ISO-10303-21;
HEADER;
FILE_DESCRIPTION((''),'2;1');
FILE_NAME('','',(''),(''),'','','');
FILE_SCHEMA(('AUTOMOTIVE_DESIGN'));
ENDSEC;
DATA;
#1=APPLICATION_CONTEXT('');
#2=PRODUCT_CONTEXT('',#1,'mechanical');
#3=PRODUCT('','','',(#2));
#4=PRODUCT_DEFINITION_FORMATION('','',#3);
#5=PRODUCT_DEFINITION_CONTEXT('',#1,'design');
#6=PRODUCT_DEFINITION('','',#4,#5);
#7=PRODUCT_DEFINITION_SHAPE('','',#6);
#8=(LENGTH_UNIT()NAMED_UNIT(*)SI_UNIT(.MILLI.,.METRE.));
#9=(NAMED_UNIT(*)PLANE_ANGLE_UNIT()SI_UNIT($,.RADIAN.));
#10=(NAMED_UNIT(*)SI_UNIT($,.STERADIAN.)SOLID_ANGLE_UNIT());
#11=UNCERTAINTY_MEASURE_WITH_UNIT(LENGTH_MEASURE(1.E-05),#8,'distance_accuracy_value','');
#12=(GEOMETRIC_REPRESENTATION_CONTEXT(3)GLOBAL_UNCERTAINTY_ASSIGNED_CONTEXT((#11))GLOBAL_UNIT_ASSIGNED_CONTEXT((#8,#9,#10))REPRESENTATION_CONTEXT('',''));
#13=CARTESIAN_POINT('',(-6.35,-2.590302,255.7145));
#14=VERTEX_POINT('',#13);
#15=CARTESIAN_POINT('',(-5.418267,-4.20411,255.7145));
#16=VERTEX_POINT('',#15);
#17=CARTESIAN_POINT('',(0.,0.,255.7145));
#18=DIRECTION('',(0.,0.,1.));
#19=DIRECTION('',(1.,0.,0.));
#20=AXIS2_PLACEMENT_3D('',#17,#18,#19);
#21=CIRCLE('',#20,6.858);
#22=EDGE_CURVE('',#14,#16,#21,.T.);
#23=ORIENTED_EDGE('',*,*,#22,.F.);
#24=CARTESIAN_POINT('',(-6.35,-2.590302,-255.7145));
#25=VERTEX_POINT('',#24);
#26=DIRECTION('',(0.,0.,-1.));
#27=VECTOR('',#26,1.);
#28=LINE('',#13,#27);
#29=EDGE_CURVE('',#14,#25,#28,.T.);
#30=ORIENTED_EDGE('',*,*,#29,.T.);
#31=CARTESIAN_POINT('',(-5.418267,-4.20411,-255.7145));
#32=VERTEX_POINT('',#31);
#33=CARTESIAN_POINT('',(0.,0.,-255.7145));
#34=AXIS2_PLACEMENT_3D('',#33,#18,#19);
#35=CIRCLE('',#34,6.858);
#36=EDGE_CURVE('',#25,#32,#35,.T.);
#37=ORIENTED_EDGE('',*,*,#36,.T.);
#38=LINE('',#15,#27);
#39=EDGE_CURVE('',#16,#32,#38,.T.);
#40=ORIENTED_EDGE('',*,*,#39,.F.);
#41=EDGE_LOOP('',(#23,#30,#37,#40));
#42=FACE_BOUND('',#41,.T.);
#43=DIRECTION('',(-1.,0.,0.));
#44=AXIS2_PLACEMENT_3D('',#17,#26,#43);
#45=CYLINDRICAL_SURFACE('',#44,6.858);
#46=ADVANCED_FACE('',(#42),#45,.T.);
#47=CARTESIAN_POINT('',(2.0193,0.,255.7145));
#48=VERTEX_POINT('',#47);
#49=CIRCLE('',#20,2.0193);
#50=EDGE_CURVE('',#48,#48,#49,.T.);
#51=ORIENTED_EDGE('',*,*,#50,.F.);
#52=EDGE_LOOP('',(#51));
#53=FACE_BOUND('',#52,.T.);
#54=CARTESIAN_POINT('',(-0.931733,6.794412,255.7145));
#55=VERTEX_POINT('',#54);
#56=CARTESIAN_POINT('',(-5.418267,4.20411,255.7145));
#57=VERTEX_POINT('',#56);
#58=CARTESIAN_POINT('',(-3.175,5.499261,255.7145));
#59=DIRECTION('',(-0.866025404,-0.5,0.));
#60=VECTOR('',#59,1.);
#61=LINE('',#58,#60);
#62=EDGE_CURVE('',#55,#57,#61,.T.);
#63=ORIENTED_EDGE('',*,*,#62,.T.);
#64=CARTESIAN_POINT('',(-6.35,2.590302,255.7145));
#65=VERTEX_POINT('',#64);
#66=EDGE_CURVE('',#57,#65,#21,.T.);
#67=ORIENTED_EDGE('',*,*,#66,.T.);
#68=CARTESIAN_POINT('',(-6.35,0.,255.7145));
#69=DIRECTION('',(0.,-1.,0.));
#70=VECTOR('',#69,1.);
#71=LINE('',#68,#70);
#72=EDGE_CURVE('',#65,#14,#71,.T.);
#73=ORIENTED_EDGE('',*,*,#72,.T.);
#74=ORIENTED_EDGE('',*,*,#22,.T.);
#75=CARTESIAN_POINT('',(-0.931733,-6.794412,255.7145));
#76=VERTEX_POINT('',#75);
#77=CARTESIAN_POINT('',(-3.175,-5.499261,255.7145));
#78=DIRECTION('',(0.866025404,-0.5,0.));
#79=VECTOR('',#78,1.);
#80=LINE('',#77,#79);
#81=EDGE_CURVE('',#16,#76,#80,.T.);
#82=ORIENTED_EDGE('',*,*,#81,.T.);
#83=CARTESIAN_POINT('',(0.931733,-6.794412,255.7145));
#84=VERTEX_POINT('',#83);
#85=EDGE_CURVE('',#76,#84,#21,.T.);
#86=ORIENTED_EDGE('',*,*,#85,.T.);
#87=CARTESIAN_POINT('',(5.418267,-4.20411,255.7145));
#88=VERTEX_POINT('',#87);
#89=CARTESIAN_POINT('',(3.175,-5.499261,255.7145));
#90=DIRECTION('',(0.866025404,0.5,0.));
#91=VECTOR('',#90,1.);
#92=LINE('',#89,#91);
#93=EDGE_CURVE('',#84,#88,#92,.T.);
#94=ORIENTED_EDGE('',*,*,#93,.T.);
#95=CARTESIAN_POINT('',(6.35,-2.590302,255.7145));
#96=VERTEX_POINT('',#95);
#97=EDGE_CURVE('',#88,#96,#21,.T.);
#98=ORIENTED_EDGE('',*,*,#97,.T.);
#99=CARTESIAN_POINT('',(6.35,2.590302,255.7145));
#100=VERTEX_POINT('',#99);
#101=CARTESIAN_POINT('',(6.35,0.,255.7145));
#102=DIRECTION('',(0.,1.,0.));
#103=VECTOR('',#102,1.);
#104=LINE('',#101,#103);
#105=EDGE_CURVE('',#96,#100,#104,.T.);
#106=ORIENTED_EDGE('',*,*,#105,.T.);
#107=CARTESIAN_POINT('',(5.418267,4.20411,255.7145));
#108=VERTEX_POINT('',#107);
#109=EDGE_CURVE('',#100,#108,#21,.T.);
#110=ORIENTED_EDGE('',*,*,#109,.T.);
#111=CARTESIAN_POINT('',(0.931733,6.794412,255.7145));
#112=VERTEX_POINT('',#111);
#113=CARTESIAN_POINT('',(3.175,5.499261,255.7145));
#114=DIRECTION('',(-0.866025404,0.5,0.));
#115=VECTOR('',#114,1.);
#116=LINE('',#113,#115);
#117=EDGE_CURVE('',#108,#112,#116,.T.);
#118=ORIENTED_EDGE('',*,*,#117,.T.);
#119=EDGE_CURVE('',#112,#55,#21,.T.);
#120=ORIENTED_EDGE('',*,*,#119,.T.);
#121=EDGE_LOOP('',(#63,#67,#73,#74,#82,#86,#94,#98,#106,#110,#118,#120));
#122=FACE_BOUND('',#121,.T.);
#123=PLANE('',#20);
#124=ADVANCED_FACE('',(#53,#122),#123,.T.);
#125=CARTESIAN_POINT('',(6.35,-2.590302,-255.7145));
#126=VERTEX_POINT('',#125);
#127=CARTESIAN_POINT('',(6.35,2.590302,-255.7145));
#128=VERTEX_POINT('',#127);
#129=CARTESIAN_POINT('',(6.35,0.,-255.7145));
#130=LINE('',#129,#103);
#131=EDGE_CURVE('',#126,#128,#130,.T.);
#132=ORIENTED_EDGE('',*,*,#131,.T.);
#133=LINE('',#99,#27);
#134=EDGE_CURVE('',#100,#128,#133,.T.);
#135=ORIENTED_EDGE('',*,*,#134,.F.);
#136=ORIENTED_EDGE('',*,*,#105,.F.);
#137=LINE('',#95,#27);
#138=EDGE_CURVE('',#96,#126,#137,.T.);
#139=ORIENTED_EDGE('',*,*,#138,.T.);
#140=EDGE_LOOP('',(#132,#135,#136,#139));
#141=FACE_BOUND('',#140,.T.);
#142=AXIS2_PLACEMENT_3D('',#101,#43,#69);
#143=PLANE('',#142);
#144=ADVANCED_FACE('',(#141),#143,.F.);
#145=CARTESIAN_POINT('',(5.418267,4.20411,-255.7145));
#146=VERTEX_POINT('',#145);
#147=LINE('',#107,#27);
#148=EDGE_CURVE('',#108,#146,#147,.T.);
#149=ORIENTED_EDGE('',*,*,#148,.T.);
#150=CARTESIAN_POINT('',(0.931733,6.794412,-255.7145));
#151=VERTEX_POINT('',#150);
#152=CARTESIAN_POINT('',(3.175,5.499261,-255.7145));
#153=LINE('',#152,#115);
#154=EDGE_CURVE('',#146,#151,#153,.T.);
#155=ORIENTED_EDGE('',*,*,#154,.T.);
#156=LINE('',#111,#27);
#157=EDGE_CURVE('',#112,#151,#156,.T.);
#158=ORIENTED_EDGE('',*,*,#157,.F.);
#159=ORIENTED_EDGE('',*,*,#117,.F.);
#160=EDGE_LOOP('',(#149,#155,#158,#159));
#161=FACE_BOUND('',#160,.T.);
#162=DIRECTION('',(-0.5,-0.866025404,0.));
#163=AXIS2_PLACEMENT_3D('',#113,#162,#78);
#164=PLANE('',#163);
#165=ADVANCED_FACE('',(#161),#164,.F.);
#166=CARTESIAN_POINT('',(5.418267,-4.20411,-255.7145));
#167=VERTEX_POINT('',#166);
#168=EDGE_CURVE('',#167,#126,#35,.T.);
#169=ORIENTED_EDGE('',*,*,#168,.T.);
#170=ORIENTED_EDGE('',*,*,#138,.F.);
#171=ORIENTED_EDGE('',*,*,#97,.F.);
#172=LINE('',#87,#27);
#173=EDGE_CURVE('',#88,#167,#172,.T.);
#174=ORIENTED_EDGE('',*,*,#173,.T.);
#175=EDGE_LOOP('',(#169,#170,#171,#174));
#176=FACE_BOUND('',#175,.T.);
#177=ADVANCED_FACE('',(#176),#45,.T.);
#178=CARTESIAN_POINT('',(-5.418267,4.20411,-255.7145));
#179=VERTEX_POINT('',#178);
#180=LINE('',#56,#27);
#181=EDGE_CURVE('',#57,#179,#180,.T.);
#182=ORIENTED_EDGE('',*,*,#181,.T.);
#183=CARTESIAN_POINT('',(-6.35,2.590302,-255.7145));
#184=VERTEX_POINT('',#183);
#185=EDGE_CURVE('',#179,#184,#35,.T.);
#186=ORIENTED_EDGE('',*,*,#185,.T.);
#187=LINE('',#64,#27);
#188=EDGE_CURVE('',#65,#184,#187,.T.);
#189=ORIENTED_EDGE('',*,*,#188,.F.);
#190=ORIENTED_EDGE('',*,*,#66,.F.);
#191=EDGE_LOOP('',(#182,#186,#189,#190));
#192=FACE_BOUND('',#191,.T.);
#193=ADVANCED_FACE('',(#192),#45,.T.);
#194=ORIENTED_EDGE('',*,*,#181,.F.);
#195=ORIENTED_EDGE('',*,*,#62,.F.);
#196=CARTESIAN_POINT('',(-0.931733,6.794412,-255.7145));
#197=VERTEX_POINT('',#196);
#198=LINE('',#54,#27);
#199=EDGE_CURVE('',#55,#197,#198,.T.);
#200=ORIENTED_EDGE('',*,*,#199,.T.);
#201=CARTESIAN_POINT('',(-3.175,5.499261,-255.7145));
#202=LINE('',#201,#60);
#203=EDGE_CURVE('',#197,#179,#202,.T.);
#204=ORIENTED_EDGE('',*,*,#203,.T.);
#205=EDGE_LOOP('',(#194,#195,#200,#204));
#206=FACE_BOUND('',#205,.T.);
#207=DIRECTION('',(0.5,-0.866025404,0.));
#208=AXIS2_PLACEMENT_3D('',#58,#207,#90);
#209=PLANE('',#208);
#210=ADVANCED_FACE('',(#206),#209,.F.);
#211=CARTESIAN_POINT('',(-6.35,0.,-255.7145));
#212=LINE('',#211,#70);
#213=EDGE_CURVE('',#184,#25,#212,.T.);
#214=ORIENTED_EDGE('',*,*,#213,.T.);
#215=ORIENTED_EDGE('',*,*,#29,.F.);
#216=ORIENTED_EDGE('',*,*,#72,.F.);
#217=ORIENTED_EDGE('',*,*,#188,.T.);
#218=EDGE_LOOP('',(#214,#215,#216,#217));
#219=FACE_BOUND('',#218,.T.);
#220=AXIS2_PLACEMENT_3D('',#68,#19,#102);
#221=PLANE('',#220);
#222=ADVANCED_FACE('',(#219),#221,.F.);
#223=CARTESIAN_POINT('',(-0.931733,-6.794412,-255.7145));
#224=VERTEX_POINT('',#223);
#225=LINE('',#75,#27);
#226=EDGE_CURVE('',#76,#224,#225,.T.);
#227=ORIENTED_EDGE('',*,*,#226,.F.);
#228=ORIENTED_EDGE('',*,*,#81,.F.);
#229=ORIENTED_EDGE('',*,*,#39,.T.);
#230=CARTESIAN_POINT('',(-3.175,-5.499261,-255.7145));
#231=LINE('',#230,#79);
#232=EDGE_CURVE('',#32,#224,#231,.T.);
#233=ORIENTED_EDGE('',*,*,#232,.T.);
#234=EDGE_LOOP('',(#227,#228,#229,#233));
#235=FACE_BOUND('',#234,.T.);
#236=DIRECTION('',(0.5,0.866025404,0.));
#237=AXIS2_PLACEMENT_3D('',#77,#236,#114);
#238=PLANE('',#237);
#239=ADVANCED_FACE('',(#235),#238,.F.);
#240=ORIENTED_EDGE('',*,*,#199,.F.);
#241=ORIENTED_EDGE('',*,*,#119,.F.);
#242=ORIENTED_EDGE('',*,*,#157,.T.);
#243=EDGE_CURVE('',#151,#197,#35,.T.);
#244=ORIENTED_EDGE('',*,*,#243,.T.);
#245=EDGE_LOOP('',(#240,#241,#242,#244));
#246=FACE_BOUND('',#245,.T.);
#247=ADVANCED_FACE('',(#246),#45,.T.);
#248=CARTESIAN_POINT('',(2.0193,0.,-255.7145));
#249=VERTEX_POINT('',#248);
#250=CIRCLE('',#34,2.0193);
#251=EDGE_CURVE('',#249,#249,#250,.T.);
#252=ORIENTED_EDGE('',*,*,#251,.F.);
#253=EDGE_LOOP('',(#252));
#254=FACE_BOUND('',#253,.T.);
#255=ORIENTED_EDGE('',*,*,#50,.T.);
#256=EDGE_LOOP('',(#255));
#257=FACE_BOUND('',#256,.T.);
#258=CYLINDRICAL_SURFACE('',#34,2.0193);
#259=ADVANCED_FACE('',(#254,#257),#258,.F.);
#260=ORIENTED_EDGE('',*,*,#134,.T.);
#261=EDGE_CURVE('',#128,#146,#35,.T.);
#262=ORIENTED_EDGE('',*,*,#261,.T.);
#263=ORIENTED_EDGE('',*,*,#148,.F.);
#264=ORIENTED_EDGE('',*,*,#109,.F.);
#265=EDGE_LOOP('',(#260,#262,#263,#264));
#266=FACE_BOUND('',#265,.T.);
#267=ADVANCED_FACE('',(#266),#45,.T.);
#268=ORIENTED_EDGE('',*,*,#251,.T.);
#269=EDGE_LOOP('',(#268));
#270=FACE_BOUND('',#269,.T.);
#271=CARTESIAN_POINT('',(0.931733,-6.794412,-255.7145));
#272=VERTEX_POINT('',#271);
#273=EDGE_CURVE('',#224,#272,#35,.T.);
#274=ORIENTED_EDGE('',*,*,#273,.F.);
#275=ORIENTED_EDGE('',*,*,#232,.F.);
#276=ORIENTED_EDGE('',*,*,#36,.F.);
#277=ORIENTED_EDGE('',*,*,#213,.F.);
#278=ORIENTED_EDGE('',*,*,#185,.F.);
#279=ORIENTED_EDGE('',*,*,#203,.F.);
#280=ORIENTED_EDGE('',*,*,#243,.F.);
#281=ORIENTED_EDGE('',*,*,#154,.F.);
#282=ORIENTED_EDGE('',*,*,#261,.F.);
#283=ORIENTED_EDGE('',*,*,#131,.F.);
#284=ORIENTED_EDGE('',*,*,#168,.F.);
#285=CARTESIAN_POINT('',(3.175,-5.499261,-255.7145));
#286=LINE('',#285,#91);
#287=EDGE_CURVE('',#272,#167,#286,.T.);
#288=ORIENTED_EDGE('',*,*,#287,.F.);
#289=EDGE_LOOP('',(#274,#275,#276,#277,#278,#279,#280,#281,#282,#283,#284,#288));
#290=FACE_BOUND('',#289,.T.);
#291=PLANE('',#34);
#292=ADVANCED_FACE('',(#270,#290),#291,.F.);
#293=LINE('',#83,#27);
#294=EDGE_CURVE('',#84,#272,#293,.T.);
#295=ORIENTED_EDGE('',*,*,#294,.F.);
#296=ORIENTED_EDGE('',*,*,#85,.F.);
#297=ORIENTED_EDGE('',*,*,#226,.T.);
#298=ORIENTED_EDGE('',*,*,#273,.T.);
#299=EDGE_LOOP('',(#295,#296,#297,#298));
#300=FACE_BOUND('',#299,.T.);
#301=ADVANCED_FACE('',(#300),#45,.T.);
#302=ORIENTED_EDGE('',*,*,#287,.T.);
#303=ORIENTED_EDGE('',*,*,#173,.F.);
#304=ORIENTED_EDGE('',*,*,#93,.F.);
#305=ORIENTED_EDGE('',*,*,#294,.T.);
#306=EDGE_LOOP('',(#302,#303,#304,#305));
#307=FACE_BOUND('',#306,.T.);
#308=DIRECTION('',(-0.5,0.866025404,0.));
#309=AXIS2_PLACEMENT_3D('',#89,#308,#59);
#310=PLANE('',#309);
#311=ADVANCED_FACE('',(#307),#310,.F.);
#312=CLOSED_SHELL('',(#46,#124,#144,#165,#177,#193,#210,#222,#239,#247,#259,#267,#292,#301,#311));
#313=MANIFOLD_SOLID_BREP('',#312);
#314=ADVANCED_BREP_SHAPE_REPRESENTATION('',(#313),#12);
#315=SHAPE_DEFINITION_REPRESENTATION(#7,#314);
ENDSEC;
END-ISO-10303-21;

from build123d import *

# Parameters (mm, degrees)
BOSS_EXTRUDE1_DEPTH = 255.7145
SKETCH2_R           = 2.0193
CUT_EXTRUDE1_DEPTH  = 512.514395403


with BuildPart() as part:
    # Sketch1 → Boss-Extrude1 (new, symmetric)
    with BuildSketch(Plane.XY):
        with BuildLine():
            ThreePointArc((0.93173274, 6.79441227), (0, 6.858), (-0.93173274, 6.79441227))
            Line((-0.93173274, 6.79441227), (-5.41826726, 4.204110358))
            ThreePointArc((-5.41826726, 4.204110358), (-5.939202219, 3.429), (-6.35, 2.590301913))
            Line((-6.35, 2.590301913), (-6.35, -2.590301913))
            ThreePointArc((-6.35, -2.590301913), (-5.939202219, -3.429), (-5.41826726, -4.204110358))
            Line((-5.41826726, -4.204110358), (-0.93173274, -6.79441227))
            ThreePointArc((-0.93173274, -6.79441227), (0, -6.858), (0.93173274, -6.79441227))
            Line((0.93173274, -6.79441227), (5.41826726, -4.204110358))
            ThreePointArc((5.41826726, -4.204110358), (5.939202219, -3.429), (6.35, -2.590301913))
            Line((6.35, -2.590301913), (6.35, 2.590301913))
            ThreePointArc((6.35, 2.590301913), (5.939202219, 3.429), (5.41826726, 4.204110358))
            Line((5.41826726, 4.204110358), (0.93173274, 6.79441227))
        make_face()
    extrude(amount=BOSS_EXTRUDE1_DEPTH, both=True)

    # Sketch2 → Cut-Extrude1 (cut, through all)
    with BuildSketch(Plane.XY.offset(255.7145)):
        Circle(SKETCH2_R)
    extrude(amount=-CUT_EXTRUDE1_DEPTH, mode=Mode.SUBTRACT)


solid = part.part
